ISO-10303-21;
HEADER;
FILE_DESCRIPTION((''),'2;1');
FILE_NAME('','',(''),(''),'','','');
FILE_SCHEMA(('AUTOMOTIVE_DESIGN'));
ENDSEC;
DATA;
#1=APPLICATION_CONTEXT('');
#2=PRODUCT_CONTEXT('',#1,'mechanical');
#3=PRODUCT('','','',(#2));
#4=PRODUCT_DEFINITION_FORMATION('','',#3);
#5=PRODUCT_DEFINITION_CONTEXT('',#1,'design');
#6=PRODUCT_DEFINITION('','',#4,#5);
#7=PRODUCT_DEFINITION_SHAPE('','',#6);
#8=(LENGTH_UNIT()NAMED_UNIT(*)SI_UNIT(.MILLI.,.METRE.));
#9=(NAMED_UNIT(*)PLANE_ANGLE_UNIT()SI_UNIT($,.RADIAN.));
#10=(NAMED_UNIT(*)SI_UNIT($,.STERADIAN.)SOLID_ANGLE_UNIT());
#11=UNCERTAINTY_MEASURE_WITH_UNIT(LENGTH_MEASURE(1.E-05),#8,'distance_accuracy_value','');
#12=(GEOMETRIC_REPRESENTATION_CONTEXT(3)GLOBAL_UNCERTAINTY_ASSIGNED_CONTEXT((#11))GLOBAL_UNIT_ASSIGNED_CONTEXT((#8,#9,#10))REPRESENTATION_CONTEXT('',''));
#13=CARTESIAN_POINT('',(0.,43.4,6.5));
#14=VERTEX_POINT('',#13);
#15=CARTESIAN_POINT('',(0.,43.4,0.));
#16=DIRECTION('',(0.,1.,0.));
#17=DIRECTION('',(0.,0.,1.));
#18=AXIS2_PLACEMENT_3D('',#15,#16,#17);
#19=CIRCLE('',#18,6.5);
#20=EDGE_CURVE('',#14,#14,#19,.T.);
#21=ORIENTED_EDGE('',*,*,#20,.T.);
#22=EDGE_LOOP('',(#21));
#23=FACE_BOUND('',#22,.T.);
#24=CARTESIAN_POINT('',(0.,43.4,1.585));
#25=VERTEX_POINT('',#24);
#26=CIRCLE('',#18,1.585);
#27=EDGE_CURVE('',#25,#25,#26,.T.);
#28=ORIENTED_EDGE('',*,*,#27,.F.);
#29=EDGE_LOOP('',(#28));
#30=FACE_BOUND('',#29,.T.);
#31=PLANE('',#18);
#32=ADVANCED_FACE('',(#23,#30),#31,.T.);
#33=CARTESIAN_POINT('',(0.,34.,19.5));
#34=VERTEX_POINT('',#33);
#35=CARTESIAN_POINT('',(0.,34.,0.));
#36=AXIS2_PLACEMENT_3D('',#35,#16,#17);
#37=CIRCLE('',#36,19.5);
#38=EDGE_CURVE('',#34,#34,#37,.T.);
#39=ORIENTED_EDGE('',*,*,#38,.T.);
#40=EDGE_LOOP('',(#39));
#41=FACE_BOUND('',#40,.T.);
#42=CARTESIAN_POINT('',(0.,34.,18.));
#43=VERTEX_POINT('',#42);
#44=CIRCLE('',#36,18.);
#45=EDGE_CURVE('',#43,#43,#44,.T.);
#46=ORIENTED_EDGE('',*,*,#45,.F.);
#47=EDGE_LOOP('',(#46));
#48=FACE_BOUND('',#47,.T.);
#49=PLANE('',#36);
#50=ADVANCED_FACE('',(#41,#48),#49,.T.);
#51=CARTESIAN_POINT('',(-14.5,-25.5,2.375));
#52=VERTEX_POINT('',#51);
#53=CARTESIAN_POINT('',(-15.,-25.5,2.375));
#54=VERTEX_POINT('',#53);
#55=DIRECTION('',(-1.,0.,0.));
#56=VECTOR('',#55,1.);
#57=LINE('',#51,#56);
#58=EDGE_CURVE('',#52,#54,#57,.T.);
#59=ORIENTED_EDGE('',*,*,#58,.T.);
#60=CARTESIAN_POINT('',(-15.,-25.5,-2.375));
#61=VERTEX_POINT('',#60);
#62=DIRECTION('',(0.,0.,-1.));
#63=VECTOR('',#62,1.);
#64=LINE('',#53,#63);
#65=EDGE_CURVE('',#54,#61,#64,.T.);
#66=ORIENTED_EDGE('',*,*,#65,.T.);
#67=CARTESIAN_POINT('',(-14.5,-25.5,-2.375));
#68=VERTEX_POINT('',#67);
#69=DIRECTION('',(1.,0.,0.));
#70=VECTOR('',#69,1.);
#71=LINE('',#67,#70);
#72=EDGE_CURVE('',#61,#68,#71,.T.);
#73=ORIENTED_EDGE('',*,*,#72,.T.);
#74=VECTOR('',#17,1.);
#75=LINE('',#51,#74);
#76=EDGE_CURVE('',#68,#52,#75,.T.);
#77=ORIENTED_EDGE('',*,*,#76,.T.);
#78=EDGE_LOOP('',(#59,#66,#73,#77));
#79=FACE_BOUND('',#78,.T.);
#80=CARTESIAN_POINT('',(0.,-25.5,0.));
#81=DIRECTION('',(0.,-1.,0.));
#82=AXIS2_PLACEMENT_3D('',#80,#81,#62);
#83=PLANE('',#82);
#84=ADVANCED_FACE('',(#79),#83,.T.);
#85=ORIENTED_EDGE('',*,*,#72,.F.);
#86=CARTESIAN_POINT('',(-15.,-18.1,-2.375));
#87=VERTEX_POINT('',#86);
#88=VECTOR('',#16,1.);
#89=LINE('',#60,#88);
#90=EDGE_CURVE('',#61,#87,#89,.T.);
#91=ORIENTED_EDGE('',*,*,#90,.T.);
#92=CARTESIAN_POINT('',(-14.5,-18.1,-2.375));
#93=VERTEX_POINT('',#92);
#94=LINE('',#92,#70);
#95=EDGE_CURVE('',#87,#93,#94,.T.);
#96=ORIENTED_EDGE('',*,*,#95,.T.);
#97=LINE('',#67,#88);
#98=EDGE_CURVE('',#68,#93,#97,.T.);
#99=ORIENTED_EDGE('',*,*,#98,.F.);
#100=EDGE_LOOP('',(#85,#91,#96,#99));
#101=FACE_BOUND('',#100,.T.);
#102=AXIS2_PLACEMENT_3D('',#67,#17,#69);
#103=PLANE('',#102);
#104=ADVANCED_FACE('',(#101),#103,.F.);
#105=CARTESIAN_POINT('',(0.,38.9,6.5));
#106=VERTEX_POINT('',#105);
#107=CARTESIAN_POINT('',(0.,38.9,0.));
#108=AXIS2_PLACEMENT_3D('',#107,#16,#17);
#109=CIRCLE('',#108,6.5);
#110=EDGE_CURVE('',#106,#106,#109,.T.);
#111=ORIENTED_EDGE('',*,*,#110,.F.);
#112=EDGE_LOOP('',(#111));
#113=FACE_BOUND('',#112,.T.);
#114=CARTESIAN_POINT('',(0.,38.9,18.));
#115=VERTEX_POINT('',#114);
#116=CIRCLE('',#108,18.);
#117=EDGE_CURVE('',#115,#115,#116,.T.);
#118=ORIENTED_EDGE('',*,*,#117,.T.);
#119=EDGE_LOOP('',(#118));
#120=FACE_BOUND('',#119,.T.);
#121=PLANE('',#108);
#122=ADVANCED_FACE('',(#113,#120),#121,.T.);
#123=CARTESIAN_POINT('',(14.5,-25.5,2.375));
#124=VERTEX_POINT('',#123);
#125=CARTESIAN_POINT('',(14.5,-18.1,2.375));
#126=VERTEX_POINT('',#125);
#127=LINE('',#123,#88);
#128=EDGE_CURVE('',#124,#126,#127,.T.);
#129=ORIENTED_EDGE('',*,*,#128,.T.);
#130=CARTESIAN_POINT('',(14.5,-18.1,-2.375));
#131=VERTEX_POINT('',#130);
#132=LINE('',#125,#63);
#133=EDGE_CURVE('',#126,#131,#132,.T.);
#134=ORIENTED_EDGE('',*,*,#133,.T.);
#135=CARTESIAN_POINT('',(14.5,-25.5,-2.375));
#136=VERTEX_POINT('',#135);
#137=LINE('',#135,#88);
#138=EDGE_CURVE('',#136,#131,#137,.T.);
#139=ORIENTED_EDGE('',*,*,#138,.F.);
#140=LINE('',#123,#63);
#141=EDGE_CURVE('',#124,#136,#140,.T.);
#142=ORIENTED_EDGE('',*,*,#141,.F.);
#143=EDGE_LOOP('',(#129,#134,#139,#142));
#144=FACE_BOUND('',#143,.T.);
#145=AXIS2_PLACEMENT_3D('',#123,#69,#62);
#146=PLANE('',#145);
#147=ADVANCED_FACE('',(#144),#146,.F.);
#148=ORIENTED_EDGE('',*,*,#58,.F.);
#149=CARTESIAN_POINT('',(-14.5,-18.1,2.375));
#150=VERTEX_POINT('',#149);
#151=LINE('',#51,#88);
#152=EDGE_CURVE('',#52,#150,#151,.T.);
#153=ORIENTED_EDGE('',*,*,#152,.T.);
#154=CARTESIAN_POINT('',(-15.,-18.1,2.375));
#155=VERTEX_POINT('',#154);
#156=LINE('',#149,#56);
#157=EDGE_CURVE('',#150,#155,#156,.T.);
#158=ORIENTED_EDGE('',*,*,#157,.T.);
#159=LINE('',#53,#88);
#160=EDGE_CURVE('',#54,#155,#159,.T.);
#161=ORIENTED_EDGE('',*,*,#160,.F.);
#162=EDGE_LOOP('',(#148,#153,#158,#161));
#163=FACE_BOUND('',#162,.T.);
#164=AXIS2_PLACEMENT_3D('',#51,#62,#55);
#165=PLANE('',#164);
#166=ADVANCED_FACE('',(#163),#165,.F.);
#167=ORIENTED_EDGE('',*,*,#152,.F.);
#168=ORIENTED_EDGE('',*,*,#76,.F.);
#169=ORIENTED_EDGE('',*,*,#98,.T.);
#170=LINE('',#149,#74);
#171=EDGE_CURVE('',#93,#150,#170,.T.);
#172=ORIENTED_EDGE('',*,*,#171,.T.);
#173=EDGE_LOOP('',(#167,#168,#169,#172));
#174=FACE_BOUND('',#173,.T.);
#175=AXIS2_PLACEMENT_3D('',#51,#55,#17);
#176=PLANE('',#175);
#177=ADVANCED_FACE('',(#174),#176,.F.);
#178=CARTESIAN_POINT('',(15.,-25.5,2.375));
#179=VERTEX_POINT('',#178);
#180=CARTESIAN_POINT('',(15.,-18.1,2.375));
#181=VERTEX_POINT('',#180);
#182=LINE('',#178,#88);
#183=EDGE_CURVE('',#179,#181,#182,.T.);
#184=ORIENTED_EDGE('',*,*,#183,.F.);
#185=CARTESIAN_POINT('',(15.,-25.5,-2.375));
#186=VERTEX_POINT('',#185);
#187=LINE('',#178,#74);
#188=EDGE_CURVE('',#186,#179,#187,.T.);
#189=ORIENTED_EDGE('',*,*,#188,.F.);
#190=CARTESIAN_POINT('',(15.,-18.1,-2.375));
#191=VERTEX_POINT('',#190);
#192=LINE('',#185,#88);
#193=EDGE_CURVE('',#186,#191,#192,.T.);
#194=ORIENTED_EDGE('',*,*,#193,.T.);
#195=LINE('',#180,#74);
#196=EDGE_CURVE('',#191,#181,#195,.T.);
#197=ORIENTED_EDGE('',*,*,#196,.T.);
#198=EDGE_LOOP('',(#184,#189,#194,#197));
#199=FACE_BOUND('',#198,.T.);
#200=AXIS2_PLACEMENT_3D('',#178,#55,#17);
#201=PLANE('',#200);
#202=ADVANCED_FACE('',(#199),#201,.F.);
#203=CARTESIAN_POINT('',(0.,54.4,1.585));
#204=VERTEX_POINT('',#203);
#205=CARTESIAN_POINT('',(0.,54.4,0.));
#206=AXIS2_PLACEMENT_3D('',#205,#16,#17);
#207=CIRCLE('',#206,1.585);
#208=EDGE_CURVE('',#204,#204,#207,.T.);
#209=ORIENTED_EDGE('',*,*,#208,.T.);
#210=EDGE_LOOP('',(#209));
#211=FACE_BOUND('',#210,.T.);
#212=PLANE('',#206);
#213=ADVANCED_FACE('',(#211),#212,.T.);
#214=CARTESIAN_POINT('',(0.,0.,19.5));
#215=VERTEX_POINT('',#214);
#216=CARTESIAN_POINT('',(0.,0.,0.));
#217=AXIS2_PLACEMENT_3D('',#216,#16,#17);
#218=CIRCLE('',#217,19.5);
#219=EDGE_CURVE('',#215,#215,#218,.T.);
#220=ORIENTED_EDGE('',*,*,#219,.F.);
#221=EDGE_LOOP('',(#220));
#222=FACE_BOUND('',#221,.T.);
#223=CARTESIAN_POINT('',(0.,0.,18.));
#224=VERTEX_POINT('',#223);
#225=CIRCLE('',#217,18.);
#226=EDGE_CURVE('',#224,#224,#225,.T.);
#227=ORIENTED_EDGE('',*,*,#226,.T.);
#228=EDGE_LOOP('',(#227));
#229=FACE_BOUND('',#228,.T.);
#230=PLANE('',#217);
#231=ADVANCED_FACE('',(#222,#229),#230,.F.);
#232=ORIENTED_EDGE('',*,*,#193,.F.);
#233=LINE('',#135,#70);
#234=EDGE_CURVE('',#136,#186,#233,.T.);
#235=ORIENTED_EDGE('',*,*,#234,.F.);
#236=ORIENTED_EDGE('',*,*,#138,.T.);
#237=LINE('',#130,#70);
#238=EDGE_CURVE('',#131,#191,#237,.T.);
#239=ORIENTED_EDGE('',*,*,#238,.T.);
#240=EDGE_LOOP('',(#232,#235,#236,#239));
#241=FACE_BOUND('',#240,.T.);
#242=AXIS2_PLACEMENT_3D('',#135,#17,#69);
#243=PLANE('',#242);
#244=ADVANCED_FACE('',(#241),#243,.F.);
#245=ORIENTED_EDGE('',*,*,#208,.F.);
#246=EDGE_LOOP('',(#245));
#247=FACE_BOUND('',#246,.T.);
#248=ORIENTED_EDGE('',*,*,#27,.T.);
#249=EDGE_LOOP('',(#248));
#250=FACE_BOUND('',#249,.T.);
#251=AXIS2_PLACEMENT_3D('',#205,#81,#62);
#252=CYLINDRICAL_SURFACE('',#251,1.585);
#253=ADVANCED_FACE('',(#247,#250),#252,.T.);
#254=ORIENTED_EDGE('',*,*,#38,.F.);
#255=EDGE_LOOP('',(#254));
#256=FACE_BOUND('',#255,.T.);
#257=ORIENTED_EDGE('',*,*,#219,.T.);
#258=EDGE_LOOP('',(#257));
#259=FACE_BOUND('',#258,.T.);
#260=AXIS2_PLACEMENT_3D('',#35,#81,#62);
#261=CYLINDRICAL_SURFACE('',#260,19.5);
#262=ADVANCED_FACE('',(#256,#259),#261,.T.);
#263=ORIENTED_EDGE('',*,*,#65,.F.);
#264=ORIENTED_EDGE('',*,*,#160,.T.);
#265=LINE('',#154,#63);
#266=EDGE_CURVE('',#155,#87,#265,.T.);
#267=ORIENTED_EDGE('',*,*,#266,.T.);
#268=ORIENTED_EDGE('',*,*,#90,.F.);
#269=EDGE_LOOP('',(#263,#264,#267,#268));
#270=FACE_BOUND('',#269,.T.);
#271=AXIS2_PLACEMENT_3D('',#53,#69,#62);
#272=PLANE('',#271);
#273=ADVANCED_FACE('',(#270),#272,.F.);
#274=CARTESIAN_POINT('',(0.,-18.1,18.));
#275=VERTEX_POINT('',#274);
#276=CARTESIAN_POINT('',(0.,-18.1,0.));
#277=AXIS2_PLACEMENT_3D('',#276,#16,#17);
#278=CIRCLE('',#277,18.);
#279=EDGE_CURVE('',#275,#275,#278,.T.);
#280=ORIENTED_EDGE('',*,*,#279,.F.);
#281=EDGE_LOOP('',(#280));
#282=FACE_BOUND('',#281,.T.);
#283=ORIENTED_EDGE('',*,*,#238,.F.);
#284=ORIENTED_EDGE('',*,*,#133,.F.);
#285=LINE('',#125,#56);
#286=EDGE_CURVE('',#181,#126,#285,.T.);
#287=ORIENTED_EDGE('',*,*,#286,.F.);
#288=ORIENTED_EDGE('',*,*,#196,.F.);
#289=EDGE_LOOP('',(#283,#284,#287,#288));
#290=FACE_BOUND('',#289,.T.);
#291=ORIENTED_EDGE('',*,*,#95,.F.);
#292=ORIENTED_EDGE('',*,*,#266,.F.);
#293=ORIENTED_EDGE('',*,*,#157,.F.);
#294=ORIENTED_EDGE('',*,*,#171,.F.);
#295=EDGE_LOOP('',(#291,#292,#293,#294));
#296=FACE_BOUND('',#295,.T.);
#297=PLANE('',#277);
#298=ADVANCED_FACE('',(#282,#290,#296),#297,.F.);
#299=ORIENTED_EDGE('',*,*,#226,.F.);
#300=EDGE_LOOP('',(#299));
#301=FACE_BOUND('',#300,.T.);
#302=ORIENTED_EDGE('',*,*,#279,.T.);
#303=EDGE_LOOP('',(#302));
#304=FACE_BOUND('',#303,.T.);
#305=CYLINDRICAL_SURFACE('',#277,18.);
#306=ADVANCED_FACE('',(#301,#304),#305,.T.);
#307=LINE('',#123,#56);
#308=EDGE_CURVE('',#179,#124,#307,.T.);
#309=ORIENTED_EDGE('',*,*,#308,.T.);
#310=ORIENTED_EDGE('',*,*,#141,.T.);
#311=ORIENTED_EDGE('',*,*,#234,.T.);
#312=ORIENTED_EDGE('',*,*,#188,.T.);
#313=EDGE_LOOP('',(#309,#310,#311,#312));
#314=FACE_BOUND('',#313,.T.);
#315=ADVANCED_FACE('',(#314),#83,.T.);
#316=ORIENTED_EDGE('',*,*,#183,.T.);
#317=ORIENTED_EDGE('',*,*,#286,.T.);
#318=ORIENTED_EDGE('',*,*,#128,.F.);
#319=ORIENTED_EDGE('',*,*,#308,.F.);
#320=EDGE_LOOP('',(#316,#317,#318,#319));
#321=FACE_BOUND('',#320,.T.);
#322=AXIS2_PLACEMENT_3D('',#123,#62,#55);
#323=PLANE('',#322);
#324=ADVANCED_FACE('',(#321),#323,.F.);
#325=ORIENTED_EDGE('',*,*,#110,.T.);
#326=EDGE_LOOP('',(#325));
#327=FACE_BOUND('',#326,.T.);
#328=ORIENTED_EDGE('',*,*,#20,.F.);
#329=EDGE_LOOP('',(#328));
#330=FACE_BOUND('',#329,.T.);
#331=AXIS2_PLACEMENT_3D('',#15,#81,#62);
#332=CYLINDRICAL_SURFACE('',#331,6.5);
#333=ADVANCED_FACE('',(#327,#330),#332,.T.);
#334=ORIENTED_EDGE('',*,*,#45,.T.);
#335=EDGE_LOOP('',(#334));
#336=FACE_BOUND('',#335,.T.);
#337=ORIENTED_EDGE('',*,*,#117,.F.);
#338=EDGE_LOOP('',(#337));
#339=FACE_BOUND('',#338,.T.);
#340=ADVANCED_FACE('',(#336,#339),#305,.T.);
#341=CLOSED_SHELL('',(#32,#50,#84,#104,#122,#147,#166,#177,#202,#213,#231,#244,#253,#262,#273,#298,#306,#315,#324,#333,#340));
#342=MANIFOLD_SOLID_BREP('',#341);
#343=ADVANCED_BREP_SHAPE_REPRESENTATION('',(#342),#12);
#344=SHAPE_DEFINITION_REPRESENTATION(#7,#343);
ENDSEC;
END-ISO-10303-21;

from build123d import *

# Parameters (mm, degrees)
SKETCH1_R                = 19.5
SKETCH1_R_2              = 18
BOSS_EXTRUDE1_DEPTH      = 34
BOSS_EXTRUDE2_DEPTH      = 4.9
BOSS_EXTRUDE2_DEPTH_BACK = 52.1
SKETCH2_R                = 18
SKETCH3_R                = 6.5
BOSS_EXTRUDE3_DEPTH      = 4.5
SKETCH4_R                = 1.585
BOSS_EXTRUDE4_DEPTH      = 11
SKETCH5_W                = 0.5
SKETCH5_H                = 4.75
BOSS_EXTRUDE5_DEPTH      = 7.4


with BuildPart() as part:
    # Sketch1 → Boss-Extrude1 (new body)
    with BuildSketch(Plane(origin=(0, 0, 0), x_dir=(1, 0, 0), z_dir=(0, 1, 0))):
        with Locations(Location((0, 0, 0), (0, 0, 270))):
            Circle(SKETCH1_R)
        with Locations(Location((0, 0, 0), (0, 0, 270))):
            Circle(SKETCH1_R_2, mode=Mode.SUBTRACT)
    extrude(amount=BOSS_EXTRUDE1_DEPTH)

    # Sketch2 → Boss-Extrude2 (add, two sides: drawn at the far end of the back side and taken through both)
    with BuildSketch(Plane(origin=(0, 34, 0), x_dir=(1, 0, 0), z_dir=(0, 1, 0)).offset(-BOSS_EXTRUDE2_DEPTH_BACK)):
        with Locations(Location((0, 0, 0), (0, 0, 270))):
            Circle(SKETCH2_R)
    extrude(amount=BOSS_EXTRUDE2_DEPTH + BOSS_EXTRUDE2_DEPTH_BACK)

    # Sketch3 → Boss-Extrude3 (add)
    with BuildSketch(Plane(origin=(0, 38.9, 0), x_dir=(1, 0, 0), z_dir=(0, 1, 0))):
        with Locations(Location((0, 0, 0), (0, 0, 270))):
            Circle(SKETCH3_R)
    extrude(amount=BOSS_EXTRUDE3_DEPTH)

    # Sketch4 → Boss-Extrude4 (add)
    with BuildSketch(Plane(origin=(0, 43.4, 0), x_dir=(1, 0, 0), z_dir=(0, 1, 0))):
        with Locations(Location((0, 0, 0), (0, 0, 270))):
            Circle(SKETCH4_R)
    extrude(amount=BOSS_EXTRUDE4_DEPTH)

    # Sketch5 → Boss-Extrude5 (add)
    with BuildSketch(Plane.XZ.offset(18.1)):
        with Locations((14.75, 0)):
            Rectangle(SKETCH5_W, SKETCH5_H)
        with Locations((-14.75, 0)):
            Rectangle(SKETCH5_W, SKETCH5_H)
    extrude(amount=BOSS_EXTRUDE5_DEPTH)


solid = part.part
